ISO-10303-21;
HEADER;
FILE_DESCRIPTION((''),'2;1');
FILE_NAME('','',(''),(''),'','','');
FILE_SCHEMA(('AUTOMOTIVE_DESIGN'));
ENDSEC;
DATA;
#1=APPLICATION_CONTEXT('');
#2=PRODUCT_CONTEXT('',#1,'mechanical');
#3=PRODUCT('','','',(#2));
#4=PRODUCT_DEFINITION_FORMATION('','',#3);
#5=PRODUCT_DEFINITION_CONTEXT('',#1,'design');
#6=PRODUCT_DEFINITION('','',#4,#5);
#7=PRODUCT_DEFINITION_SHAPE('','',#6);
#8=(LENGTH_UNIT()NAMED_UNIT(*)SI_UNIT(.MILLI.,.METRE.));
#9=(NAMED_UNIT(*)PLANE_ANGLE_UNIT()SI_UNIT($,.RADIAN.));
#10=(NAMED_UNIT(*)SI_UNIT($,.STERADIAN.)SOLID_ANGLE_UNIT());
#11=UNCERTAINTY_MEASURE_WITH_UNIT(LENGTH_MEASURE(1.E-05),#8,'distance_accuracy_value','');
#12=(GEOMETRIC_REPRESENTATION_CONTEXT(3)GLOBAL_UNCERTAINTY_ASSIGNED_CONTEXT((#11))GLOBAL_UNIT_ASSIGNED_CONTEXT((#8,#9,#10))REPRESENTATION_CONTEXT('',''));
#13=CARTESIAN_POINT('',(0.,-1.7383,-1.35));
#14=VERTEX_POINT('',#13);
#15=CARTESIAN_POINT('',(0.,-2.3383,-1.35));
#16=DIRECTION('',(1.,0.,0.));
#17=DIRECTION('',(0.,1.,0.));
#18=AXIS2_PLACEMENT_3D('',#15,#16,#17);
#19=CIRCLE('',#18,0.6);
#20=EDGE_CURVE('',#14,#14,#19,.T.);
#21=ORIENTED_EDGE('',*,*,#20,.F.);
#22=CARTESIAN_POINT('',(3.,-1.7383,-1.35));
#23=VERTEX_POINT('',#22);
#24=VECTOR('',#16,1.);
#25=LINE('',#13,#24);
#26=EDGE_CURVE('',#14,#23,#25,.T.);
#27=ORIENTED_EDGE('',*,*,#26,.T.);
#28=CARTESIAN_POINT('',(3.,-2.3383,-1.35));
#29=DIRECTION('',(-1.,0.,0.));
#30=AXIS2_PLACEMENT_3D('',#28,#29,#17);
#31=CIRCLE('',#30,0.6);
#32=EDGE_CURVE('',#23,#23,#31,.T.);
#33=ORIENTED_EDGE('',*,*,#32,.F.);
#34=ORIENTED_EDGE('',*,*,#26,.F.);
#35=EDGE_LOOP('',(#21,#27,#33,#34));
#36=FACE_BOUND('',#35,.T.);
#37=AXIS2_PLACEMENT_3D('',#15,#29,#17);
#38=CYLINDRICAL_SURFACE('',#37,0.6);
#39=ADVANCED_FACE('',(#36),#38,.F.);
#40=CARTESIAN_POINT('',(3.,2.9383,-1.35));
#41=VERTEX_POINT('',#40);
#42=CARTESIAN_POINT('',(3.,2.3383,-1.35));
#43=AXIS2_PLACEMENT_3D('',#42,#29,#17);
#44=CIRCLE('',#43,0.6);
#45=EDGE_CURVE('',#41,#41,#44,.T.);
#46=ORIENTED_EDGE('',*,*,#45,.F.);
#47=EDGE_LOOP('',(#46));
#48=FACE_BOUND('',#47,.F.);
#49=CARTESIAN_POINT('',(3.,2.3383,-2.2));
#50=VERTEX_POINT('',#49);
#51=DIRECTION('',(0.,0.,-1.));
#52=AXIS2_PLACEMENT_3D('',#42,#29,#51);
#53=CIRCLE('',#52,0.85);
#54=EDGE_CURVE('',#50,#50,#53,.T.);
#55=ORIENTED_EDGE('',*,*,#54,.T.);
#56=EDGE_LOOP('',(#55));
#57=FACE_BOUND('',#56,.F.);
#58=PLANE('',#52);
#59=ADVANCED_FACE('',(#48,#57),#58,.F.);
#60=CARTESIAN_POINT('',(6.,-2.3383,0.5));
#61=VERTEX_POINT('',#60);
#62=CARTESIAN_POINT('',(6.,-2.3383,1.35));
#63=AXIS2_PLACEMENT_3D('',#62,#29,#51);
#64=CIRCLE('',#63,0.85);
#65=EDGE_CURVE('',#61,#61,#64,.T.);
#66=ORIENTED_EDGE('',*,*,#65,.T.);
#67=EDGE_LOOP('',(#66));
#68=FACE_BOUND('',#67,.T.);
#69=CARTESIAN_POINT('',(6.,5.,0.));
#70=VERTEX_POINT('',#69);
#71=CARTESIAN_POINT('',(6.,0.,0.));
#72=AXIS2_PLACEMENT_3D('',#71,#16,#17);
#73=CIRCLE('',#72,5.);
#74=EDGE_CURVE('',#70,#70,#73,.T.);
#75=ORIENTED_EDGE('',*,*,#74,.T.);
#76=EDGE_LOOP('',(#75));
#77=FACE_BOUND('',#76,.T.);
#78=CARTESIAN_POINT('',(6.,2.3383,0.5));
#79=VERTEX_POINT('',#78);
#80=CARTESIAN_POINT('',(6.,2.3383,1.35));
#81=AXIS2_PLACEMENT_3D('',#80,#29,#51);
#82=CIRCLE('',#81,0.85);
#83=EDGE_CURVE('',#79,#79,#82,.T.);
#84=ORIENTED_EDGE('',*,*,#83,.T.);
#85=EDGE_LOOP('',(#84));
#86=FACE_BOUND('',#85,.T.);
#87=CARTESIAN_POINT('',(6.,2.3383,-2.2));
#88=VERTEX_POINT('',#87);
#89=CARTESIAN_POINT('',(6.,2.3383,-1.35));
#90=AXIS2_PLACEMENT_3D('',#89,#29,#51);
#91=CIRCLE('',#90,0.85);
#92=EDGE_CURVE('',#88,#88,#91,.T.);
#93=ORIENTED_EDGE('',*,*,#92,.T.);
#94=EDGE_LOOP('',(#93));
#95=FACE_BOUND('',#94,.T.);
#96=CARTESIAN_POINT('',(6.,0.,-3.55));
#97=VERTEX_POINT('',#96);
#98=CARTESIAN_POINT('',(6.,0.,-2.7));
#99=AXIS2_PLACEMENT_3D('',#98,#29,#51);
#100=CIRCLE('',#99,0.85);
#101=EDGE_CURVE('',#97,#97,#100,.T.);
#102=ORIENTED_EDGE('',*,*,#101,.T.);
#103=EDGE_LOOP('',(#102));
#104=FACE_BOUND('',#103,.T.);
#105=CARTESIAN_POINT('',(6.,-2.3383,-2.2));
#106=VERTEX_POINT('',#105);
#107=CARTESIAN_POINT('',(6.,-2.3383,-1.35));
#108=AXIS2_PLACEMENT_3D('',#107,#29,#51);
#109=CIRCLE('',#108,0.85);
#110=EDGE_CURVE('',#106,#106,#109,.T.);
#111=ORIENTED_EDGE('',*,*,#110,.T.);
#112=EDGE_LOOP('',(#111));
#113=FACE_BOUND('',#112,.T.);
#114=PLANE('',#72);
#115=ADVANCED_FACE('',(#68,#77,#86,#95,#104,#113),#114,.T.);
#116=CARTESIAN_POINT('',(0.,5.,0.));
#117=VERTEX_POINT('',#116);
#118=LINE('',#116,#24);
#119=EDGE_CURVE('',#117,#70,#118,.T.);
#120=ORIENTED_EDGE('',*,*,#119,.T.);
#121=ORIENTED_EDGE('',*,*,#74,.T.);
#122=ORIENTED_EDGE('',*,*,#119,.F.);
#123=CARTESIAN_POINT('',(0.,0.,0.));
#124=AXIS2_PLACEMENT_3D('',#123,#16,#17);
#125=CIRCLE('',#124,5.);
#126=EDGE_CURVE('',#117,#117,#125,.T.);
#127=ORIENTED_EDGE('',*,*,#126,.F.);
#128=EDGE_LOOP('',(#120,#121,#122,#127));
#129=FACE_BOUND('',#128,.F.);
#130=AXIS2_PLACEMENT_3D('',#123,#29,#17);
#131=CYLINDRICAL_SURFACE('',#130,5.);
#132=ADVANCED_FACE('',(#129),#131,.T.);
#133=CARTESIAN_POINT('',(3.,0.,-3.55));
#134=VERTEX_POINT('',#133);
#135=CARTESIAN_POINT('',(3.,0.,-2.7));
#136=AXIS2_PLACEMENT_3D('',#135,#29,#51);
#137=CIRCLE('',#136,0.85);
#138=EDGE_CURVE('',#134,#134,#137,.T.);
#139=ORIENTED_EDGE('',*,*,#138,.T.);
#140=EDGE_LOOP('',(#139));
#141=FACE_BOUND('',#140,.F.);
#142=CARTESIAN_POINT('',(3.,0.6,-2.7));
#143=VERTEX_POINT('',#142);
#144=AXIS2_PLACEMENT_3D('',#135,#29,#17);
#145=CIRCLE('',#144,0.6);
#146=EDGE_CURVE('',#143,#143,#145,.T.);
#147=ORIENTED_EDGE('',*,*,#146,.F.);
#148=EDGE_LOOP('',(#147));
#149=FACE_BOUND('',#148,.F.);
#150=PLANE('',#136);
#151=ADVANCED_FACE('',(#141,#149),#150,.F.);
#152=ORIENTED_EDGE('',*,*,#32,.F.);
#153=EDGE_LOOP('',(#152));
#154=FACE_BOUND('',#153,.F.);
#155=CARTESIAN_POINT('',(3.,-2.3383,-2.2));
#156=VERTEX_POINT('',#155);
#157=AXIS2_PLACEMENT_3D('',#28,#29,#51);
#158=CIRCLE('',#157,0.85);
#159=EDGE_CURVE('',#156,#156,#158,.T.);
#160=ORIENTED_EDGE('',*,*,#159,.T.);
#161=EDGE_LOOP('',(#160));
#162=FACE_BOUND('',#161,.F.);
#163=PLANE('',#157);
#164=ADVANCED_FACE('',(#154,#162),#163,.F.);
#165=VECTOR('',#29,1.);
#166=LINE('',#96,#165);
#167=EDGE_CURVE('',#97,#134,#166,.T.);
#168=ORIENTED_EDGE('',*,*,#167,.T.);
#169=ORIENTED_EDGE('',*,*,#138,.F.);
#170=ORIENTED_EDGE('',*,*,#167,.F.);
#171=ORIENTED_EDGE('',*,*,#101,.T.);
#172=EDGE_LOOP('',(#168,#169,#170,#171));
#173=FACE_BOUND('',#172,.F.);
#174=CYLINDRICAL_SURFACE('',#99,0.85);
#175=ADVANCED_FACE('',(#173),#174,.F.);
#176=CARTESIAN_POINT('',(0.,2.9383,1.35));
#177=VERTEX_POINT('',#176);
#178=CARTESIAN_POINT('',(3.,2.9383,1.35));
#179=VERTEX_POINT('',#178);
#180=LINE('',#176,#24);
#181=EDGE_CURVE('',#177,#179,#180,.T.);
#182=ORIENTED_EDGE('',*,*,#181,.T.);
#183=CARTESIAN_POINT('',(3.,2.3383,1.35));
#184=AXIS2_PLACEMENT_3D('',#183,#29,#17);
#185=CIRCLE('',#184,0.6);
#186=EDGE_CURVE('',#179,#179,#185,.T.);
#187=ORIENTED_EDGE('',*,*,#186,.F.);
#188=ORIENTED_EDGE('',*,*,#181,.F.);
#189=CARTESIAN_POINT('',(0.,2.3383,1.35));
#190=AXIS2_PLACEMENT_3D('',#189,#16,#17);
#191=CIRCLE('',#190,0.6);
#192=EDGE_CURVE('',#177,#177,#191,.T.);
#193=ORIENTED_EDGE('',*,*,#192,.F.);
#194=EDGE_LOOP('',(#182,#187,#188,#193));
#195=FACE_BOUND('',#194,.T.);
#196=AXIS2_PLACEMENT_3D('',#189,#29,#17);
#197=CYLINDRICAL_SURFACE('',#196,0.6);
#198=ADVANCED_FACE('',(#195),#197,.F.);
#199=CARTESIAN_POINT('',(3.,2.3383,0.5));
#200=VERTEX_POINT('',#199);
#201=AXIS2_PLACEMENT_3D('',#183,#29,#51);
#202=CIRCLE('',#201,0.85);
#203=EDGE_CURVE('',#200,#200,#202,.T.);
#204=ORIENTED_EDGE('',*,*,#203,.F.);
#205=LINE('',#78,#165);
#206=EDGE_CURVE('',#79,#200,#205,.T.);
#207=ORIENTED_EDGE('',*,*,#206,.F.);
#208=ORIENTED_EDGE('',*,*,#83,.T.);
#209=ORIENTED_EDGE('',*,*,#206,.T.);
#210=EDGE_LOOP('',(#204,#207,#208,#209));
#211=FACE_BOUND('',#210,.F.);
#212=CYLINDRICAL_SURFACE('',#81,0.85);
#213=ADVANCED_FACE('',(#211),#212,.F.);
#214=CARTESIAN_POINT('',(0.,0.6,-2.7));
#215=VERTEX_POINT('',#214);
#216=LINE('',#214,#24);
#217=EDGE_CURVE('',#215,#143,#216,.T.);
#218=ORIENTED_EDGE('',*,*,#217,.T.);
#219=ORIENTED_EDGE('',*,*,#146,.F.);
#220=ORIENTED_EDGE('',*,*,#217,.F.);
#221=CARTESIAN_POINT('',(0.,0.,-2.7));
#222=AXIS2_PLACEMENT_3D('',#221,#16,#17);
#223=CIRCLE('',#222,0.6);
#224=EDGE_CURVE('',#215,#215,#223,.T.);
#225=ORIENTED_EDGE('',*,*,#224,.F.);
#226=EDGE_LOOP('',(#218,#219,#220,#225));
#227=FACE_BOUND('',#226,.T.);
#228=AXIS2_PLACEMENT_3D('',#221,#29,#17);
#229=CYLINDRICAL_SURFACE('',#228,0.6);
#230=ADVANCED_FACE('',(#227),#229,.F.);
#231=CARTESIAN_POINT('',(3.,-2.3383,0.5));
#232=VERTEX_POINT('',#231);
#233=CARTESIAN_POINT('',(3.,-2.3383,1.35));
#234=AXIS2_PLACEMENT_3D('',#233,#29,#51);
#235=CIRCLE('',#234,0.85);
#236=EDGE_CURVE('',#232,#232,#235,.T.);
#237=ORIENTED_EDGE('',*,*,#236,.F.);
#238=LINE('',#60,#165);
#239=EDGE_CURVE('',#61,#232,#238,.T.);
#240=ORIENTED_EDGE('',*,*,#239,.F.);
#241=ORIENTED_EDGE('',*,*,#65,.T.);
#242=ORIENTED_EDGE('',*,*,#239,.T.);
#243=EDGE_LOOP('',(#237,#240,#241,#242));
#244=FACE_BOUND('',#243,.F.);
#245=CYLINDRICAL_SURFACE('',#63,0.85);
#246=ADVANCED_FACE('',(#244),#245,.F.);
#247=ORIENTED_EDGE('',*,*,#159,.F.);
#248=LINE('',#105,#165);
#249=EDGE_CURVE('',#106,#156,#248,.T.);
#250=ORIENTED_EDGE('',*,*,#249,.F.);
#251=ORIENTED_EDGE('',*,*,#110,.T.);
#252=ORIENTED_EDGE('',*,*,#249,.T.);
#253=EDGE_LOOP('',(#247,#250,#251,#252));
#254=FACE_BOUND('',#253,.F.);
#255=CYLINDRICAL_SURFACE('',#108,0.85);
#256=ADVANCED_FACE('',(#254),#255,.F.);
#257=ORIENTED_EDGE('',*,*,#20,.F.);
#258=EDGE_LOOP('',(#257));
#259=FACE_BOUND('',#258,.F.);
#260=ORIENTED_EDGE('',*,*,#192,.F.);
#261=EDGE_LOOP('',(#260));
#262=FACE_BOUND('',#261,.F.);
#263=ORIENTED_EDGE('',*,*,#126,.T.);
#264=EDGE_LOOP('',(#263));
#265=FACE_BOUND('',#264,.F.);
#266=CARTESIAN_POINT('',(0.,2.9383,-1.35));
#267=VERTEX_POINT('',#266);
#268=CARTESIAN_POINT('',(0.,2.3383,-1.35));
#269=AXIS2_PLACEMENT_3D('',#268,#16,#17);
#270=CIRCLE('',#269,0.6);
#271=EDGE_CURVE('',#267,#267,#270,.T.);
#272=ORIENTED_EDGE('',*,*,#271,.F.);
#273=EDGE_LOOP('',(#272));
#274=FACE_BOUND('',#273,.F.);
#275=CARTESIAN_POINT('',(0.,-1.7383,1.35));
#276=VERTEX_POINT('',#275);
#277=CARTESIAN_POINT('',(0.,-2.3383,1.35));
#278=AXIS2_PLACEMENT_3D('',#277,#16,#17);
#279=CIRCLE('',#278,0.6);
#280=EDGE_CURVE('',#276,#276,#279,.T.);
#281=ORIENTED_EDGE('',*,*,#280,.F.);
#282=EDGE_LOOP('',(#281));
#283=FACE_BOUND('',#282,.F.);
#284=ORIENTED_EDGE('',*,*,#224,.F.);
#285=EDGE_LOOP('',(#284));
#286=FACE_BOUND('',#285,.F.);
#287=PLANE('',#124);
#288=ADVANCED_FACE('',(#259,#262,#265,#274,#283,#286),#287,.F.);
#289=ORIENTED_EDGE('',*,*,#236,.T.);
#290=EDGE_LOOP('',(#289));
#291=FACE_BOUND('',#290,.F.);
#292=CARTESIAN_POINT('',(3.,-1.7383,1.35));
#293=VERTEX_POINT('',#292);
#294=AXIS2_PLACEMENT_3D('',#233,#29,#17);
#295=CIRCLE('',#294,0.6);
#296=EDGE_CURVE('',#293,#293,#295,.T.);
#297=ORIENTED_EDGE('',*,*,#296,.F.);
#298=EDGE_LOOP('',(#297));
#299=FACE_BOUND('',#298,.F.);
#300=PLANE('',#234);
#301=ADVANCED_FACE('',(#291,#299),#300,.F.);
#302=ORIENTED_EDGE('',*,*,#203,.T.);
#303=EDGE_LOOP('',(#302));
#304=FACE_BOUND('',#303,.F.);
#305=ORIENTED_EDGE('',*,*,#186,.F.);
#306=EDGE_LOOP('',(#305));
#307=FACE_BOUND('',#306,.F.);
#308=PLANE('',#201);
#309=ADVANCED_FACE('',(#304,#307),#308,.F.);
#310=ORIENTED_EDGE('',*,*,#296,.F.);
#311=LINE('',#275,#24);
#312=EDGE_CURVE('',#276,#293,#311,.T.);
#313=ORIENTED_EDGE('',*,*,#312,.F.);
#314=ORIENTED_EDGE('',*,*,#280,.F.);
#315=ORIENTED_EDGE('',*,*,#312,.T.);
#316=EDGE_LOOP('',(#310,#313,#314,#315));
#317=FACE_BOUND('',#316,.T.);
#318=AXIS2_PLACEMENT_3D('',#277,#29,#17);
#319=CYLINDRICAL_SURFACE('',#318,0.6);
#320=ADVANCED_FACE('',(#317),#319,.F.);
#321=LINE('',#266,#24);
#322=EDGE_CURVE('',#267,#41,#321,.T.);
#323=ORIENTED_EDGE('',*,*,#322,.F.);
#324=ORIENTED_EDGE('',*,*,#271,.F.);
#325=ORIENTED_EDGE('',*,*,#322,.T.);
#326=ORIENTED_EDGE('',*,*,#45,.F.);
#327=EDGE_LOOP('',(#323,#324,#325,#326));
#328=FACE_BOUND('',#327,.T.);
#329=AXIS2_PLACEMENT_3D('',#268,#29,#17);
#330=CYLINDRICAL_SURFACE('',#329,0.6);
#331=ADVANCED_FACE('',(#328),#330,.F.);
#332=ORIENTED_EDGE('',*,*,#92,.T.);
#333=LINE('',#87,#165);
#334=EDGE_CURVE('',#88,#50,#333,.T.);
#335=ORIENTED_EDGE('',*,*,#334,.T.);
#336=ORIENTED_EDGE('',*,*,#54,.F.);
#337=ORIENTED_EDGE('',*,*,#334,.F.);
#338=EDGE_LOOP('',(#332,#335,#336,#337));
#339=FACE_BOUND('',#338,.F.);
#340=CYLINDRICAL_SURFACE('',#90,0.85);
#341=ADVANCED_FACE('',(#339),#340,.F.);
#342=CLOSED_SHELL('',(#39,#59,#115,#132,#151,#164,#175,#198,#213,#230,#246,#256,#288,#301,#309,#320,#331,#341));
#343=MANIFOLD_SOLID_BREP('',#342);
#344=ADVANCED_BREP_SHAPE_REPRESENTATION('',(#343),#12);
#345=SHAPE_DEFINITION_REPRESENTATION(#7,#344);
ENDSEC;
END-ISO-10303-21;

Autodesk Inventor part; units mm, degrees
ref_plane "YZ Plane" through (0, 0, 0) normal (1, 0, 0) x (0, 1, 0)
ref_plane "XZ Plane" through (0, 0, 0) normal (0, 1, 0) x (-1, 0, 0)
ref_plane "XY Plane" through (0, 0, 0) normal (0, 0, 1) x (1, 0, 0)
sketch "Эскиз1" plane through (0, 0, 0) normal (1, 0, 0) x (0, 1, 0)
  circle A0 centre (0, 0) radius 5
  circle A1 centre (0, -2.7) radius 0.6
  circle A2 centre (0, 0) radius 2.7 construction
  circle A3 centre (-2.3383, 1.35) radius 0.6
  circle A4 centre (2.3383, 1.35) radius 0.6
  line L0 (0, 0) -> (5.0108, 2.893) construction
  line L1 (0, 0) -> (-4.6178, 2.6661) construction
  line L2 (0, 0) -> (6.4667, 0) construction
  line L3 (0, 0) -> (-4.6765, -2.7) construction
  line L4 (0, 0) -> (4.6765, -2.7) construction
  circle A5 centre (-2.3383, -1.35) radius 0.6
  circle A6 centre (2.3383, -1.35) radius 0.6
  dimension "d1" = 10
  dimension "d3" = 1.2
  dimension "d24" = 5.4
  dimension "d25" = 1.2
  dimension "d26" = 1.2
  dimension "d53" = 120
  dimension "d54" = 30
  dimension "d55" = 120
  dimension "d56" = 30
  dimension "d57" = 1.2
  dimension "d58" = 1.2
extrude "Выдавливание1" add sketch "Эскиз1" along normal blind 6 contours A0 | A3 | A4 | A5 | A6
sketch "Эскиз6" plane through (6, 0, 0) normal (1, 0, 0) x (0, 0, -1)
  circle A0 centre (2.7, 0) radius 0.6 projected
hole "Отверстие2" at (6, 0, -2.7) direction (-1, 0, 0) diameter 1.7 depth 3
extrude "Выдавливание2" cut sketch "Эскиз1" along normal blind 6 contours A3 | A4
sketch "Эскиз2" plane through (6, 0, 0) normal (1, 0, 0) x (0, 0, -1)
  point P0 (0, 0)
  point P1 (-1.35, 2.3383)
hole "Отверстие4" at (6, 2.3383, 1.35) direction (-1, 0, 0) diameter 1.7 depth 3
sketch "Эскиз3" plane through (6, 0, 0) normal (1, 0, 0) x (0, 0, -1)
  point P0 (0, 0)
  point P1 (-1.35, -2.3383)
hole "Отверстие5" at (6, -2.3383, 1.35) direction (-1, 0, 0) diameter 1.7 depth 3
extrude "Выдавливание3" cut sketch "Эскиз1" along normal blind 6 contours A5 | A6
sketch "Эскиз4" plane through (6, 0, 0) normal (1, 0, 0) x (0, 0, -1)
  point P0 (0, 0)
  point P1 (1.35, 2.3383)
hole "Отверстие6" at (6, 2.3383, -1.35) direction (-1, 0, 0) diameter 1.7 depth 3
sketch "Эскиз5" plane through (6, 0, 0) normal (1, 0, 0) x (0, 0, -1)
  point P0 (0, 0)
  point P1 (1.35, -2.3383)
hole "Отверстие7" at (6, -2.3383, -1.35) direction (-1, 0, 0) diameter 1.7 depth 3
equation "\"d1\" = inside"
equation "\"d3\" = 2 * pin_small_rad"
equation "\"d17\" = pin_big_dia"
equation "\"inside\" = 10"
equation "\"pin_small_rad\" = 0.6"
equation "\"pin_big_dia\" = 1.7"
properties part number "каркас" material "Пластмасса, непрозрачная, черная"
